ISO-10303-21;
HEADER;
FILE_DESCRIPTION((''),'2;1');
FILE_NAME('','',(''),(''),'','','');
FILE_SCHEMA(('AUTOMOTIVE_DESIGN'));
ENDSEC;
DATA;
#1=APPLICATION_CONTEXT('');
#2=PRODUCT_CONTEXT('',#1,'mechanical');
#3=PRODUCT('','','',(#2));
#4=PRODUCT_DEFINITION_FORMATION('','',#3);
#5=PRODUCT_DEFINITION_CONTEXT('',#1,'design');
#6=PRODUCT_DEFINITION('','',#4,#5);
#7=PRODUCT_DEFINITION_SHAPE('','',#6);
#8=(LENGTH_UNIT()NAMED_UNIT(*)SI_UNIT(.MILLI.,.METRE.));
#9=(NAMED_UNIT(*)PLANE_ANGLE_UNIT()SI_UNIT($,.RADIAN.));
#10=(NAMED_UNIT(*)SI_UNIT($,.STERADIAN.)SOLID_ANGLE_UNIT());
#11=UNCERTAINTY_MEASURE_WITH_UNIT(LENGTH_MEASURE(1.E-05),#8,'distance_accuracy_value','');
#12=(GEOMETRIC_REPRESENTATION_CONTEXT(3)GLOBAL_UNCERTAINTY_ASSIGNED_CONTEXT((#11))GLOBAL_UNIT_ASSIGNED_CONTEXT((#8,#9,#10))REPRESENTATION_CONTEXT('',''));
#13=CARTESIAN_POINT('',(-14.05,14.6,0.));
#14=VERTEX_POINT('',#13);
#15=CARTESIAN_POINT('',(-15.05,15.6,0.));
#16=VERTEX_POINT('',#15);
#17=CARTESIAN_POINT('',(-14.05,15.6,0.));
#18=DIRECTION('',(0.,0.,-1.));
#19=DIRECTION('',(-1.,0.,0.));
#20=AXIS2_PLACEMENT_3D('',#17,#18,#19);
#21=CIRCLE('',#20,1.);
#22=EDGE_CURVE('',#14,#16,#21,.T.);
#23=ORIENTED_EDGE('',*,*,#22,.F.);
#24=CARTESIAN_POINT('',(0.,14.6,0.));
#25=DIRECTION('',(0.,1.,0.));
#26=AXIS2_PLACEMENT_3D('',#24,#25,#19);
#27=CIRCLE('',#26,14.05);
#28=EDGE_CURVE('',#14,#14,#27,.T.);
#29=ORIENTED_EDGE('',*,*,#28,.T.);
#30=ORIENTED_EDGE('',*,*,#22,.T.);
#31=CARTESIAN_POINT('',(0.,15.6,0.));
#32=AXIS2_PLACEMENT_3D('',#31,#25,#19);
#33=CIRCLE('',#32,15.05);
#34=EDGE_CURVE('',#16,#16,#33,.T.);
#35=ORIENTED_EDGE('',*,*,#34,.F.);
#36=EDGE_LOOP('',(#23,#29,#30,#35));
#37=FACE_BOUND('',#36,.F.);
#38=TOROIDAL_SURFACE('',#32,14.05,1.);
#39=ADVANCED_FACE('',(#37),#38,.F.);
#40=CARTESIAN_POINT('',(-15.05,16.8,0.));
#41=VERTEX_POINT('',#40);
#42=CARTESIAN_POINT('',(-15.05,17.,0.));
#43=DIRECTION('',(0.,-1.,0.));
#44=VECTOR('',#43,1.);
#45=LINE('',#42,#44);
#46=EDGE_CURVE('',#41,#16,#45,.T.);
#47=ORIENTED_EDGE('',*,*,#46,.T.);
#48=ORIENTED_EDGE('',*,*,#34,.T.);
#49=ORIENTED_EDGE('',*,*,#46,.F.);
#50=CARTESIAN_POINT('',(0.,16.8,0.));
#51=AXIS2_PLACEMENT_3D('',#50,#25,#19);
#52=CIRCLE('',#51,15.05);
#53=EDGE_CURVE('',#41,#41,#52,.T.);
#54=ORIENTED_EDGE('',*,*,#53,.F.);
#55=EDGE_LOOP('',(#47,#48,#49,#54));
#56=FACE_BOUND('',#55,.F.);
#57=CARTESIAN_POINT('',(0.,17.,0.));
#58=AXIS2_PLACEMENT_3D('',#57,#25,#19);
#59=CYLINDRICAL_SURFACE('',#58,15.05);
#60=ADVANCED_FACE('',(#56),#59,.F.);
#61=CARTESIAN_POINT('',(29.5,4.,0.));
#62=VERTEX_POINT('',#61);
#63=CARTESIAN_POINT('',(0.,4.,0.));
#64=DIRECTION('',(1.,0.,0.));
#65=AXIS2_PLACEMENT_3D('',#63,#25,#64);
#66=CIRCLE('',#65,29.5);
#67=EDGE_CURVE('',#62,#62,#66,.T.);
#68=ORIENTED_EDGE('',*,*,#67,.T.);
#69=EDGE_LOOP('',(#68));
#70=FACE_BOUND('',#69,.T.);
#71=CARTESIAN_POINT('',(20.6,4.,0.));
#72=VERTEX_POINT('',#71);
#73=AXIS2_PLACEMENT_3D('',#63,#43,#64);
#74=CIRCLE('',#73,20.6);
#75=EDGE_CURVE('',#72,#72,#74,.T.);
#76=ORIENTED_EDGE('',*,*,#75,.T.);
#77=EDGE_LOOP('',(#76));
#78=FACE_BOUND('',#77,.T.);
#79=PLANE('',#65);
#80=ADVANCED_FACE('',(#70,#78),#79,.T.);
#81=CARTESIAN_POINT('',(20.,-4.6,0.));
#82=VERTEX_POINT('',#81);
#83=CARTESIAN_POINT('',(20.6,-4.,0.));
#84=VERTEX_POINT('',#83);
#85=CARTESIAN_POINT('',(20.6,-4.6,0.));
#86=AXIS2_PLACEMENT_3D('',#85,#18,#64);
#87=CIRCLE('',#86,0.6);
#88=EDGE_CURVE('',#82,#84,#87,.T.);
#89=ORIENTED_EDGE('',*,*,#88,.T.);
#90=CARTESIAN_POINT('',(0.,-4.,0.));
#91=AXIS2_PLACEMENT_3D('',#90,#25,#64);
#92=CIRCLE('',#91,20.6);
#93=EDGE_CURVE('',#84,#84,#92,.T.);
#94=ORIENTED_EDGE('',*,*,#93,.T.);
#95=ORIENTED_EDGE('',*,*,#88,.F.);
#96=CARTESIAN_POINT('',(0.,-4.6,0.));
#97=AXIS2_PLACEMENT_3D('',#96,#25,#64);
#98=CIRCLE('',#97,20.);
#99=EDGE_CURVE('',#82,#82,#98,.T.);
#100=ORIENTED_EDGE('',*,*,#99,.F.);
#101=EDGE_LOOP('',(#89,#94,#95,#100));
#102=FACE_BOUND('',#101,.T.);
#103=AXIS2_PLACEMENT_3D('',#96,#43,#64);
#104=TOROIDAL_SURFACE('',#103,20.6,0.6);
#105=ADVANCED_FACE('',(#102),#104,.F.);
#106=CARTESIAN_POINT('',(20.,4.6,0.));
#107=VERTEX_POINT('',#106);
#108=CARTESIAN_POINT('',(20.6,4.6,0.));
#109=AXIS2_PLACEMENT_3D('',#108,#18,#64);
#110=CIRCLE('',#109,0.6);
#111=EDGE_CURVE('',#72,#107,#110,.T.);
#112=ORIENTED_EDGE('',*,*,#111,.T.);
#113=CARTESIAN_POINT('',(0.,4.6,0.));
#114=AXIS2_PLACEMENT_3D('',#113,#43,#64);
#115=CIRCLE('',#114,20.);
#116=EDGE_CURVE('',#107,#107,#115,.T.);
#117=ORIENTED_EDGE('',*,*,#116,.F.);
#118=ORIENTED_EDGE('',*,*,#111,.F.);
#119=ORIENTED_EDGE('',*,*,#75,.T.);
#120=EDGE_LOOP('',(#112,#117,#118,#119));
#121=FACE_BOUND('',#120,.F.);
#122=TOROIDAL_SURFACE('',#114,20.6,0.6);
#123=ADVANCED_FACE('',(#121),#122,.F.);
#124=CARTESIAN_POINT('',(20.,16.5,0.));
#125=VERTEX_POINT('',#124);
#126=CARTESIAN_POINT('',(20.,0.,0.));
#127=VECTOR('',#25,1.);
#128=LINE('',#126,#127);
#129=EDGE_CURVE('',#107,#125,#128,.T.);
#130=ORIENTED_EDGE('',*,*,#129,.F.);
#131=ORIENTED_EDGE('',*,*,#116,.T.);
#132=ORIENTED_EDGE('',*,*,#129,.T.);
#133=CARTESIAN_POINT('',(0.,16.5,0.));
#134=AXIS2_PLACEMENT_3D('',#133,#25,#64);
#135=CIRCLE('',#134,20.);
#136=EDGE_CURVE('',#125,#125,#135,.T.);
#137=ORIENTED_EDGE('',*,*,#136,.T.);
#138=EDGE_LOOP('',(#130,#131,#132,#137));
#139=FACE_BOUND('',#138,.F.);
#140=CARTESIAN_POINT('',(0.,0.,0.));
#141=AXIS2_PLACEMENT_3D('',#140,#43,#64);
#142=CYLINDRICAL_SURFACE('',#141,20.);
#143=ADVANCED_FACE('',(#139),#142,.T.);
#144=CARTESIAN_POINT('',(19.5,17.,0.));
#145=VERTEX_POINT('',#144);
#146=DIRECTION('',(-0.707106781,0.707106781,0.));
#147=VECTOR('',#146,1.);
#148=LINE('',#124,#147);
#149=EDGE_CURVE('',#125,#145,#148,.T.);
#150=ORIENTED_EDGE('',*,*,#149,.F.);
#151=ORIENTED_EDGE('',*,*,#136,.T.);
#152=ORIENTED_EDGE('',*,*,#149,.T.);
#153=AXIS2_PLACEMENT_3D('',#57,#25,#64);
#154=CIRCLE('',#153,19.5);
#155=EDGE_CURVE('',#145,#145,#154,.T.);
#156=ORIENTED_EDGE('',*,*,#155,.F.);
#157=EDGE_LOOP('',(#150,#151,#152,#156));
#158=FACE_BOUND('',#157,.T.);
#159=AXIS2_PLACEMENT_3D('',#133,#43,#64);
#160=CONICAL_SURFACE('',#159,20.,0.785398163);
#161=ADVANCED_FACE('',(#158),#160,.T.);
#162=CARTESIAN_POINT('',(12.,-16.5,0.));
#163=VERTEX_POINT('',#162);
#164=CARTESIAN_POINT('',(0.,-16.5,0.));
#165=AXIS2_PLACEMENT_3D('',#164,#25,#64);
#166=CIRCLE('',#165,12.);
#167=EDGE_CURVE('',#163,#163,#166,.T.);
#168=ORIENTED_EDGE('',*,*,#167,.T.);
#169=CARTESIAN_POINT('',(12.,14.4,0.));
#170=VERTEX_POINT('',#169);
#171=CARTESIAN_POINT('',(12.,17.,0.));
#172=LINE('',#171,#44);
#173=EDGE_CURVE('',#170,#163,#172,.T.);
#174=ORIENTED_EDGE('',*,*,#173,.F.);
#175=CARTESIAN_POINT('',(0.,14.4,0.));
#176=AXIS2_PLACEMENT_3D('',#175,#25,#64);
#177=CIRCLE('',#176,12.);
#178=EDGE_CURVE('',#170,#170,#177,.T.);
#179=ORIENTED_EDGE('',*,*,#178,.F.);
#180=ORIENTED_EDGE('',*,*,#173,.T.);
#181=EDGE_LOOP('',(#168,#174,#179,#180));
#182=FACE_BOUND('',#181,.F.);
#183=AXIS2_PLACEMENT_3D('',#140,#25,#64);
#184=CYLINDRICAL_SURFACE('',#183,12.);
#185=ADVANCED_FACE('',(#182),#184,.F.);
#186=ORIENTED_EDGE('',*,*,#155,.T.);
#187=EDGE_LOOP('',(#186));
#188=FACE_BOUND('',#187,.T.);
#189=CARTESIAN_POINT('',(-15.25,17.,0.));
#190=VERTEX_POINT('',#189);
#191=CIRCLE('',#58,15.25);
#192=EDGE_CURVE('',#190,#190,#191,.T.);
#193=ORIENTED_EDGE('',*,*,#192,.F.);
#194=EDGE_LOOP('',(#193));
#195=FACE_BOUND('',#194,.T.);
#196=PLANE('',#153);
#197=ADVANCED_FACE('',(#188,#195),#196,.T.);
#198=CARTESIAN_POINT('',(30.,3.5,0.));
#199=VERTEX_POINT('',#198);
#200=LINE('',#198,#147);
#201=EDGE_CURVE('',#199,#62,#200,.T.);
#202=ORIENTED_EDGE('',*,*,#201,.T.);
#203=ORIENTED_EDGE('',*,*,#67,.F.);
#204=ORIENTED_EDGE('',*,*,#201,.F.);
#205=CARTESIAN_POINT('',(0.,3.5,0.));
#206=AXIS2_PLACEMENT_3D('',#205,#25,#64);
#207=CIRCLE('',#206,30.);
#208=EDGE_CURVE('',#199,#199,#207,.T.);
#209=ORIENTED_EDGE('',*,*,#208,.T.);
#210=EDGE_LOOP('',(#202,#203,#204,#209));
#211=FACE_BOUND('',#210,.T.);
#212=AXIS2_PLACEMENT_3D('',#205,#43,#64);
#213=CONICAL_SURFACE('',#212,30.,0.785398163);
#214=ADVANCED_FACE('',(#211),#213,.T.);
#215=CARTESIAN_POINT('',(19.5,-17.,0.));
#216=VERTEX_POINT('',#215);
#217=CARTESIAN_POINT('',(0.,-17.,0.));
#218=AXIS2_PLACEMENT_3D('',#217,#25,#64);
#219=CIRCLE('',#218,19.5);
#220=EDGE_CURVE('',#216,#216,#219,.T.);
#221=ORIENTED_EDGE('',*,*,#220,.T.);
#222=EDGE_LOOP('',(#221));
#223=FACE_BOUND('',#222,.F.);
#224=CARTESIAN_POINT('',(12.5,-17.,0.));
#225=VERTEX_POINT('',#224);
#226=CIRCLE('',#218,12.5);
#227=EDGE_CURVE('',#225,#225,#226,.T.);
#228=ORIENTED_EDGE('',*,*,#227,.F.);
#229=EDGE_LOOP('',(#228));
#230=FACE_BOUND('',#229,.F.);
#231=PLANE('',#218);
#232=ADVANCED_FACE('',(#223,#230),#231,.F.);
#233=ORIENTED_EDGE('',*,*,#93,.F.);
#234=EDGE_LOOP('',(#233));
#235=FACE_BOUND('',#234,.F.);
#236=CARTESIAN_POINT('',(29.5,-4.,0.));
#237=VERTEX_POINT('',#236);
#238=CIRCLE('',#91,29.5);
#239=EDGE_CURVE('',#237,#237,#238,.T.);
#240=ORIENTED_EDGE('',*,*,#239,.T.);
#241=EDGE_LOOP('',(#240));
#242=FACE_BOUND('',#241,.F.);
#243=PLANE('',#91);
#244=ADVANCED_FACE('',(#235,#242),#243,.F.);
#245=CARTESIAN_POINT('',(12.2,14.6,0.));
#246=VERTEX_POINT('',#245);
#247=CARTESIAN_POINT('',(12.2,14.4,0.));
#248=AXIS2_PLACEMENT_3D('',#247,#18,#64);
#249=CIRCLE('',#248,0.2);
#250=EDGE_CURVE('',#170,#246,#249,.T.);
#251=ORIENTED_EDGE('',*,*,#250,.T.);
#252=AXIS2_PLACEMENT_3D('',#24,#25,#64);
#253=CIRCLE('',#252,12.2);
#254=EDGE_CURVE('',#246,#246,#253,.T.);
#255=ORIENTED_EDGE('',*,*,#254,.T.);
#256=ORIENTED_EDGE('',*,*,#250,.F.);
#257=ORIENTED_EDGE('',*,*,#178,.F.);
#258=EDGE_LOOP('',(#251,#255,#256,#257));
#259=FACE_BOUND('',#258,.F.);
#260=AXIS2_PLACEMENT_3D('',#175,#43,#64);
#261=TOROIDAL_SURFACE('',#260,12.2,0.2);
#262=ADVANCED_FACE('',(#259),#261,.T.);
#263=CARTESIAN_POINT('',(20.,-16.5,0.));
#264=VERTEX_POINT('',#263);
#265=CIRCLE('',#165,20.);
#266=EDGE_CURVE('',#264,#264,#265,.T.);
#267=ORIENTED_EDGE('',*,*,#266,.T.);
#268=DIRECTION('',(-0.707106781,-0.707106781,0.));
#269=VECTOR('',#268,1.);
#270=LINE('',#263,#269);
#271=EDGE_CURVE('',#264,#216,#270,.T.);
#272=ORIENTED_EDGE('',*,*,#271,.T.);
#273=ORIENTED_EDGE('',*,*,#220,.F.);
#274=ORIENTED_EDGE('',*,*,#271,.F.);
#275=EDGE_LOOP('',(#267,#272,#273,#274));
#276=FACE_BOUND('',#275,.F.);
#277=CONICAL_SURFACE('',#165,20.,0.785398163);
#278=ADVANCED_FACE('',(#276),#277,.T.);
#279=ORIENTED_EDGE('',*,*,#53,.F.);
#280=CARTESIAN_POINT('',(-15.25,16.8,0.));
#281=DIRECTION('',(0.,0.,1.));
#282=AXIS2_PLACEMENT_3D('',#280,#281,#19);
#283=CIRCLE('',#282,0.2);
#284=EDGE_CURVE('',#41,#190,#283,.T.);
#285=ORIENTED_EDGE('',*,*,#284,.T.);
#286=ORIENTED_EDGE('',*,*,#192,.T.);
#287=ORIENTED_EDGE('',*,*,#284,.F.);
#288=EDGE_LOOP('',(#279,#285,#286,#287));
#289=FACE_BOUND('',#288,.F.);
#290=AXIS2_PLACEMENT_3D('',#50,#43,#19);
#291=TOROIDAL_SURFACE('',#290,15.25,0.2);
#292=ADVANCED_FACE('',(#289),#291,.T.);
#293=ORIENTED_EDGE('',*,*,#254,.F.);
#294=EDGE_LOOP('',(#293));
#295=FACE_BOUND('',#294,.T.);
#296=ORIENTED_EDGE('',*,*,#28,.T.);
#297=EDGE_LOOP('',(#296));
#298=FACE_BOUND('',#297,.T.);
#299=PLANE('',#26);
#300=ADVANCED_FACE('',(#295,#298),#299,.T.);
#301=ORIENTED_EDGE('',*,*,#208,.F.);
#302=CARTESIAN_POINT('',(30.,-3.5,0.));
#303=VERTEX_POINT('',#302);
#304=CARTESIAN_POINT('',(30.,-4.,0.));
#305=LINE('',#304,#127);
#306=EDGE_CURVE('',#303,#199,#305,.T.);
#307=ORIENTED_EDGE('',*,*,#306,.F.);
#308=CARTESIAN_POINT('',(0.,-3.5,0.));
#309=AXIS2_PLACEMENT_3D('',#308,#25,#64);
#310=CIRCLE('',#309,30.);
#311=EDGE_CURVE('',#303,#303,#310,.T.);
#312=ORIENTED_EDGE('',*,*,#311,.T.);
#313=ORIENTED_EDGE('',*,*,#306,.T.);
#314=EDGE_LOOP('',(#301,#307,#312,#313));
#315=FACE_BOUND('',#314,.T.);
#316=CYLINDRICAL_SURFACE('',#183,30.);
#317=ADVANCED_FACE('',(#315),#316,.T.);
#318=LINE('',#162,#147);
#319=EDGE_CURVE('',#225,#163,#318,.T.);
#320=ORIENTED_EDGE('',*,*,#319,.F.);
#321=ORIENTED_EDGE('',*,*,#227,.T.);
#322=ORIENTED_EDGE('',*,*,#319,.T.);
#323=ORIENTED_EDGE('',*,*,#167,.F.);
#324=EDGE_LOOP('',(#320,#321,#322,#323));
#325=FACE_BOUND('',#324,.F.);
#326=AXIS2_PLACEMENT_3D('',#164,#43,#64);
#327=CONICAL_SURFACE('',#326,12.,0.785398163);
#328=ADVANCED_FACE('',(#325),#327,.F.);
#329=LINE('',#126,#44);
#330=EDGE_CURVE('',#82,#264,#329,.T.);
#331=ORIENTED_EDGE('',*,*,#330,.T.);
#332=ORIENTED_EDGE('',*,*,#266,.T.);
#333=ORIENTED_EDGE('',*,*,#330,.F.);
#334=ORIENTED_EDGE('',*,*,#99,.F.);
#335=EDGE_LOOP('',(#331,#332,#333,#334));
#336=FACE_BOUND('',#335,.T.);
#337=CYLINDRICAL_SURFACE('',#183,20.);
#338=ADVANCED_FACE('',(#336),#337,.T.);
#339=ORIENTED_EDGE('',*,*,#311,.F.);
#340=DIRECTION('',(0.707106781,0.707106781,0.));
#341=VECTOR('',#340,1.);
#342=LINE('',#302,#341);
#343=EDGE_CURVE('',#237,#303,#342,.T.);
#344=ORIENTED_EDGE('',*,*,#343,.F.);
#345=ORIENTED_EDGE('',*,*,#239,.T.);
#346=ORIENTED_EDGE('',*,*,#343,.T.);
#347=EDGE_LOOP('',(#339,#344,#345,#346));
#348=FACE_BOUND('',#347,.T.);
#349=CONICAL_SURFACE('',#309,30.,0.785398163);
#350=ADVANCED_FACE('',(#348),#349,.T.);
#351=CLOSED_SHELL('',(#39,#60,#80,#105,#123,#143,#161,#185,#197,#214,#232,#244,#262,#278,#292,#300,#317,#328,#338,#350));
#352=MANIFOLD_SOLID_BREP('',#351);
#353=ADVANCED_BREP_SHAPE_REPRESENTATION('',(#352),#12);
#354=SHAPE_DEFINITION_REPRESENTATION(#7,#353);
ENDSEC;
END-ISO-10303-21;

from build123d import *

# Parameters (mm, degrees)
SKETCH1_R               = 30
EXTRUDE1_DEPTH          = 4
EXTRUDE1_DEPTH_BACK     = 4
SKETCH2_R               = 20
EXTRUDE2_DEPTH          = 17
EXTRUDE2_DEPTH_BACK     = 17
SKETCH3_R               = 12
CUT_EXTRUDE1_DEPTH      = 18
CUT_EXTRUDE1_DEPTH_BACK = 18
SKETCH4_R               = 15.05
CUT_EXTRUDE2_DEPTH      = 2.4
CHAMFER1_SIZE           = 0.5
FILLET1_R               = 0.6
FILLET2_R               = 0.2
FILLET3_R               = 1


with BuildPart() as part:
    # Sketch1 → Extrude1 (new body, two sides)
    with BuildSketch(Plane(origin=(0, 0, 0), x_dir=(1, 0, 0), z_dir=(0, 1, 0))) as extrude1_sk:
        Circle(SKETCH1_R)
    extrude(amount=EXTRUDE1_DEPTH)
    extrude(extrude1_sk.sketch, amount=-EXTRUDE1_DEPTH_BACK)

    # Sketch2 → Extrude2 (add, two sides)
    with BuildSketch(Plane(origin=(0, 0, 0), x_dir=(1, 0, 0), z_dir=(0, 1, 0))) as extrude2_sk:
        Circle(SKETCH2_R)
    extrude(amount=EXTRUDE2_DEPTH)
    extrude(extrude2_sk.sketch, amount=-EXTRUDE2_DEPTH_BACK)

    # Sketch3 → Cut-Extrude1 (cut, two sides)
    with BuildSketch(Plane(origin=(0, 0, 0), x_dir=(1, 0, 0), z_dir=(0, 1, 0))) as cut_extrude1_sk:
        Circle(SKETCH3_R)
    extrude(amount=CUT_EXTRUDE1_DEPTH, mode=Mode.SUBTRACT)
    extrude(cut_extrude1_sk.sketch, amount=-CUT_EXTRUDE1_DEPTH_BACK, mode=Mode.SUBTRACT)

    # Sketch4 → Cut-Extrude2 (cut)
    with BuildSketch(Plane(origin=(0, 17, 0), x_dir=(-1, 0, 0), z_dir=(0, 1, 0))):
        Circle(SKETCH4_R)
    extrude(amount=-CUT_EXTRUDE2_DEPTH, mode=Mode.SUBTRACT)

    # Chamfer1
    chamfer1_edges = [part.edges().sort_by_distance(p)[0] for p in [
        (-12, -17, 0),
        (-30, -4, 0),
        (-30, 4, 0),
        (-20, -17, 0),
        (-20, 17, 0),
    ]]
    chamfer(chamfer1_edges, length=CHAMFER1_SIZE)

    # Fillet1
    fillet1_edges = [part.edges().sort_by_distance(p)[0] for p in [
        (-20, -4, 0),
        (-20, 4, 0),
    ]]
    fillet(fillet1_edges, radius=FILLET1_R)

    # Fillet2
    fillet2_edges = [part.edges().sort_by_distance(p)[0] for p in [
        (15.05, 17, 0),
        (-12, 14.6, 0),
    ]]
    fillet(fillet2_edges, radius=FILLET2_R)

    # Fillet3
    fillet3_edges = [part.edges().sort_by_distance(p)[0] for p in [
        (15.05, 14.6, 0),
    ]]
    fillet(fillet3_edges, radius=FILLET3_R)


solid = part.part
